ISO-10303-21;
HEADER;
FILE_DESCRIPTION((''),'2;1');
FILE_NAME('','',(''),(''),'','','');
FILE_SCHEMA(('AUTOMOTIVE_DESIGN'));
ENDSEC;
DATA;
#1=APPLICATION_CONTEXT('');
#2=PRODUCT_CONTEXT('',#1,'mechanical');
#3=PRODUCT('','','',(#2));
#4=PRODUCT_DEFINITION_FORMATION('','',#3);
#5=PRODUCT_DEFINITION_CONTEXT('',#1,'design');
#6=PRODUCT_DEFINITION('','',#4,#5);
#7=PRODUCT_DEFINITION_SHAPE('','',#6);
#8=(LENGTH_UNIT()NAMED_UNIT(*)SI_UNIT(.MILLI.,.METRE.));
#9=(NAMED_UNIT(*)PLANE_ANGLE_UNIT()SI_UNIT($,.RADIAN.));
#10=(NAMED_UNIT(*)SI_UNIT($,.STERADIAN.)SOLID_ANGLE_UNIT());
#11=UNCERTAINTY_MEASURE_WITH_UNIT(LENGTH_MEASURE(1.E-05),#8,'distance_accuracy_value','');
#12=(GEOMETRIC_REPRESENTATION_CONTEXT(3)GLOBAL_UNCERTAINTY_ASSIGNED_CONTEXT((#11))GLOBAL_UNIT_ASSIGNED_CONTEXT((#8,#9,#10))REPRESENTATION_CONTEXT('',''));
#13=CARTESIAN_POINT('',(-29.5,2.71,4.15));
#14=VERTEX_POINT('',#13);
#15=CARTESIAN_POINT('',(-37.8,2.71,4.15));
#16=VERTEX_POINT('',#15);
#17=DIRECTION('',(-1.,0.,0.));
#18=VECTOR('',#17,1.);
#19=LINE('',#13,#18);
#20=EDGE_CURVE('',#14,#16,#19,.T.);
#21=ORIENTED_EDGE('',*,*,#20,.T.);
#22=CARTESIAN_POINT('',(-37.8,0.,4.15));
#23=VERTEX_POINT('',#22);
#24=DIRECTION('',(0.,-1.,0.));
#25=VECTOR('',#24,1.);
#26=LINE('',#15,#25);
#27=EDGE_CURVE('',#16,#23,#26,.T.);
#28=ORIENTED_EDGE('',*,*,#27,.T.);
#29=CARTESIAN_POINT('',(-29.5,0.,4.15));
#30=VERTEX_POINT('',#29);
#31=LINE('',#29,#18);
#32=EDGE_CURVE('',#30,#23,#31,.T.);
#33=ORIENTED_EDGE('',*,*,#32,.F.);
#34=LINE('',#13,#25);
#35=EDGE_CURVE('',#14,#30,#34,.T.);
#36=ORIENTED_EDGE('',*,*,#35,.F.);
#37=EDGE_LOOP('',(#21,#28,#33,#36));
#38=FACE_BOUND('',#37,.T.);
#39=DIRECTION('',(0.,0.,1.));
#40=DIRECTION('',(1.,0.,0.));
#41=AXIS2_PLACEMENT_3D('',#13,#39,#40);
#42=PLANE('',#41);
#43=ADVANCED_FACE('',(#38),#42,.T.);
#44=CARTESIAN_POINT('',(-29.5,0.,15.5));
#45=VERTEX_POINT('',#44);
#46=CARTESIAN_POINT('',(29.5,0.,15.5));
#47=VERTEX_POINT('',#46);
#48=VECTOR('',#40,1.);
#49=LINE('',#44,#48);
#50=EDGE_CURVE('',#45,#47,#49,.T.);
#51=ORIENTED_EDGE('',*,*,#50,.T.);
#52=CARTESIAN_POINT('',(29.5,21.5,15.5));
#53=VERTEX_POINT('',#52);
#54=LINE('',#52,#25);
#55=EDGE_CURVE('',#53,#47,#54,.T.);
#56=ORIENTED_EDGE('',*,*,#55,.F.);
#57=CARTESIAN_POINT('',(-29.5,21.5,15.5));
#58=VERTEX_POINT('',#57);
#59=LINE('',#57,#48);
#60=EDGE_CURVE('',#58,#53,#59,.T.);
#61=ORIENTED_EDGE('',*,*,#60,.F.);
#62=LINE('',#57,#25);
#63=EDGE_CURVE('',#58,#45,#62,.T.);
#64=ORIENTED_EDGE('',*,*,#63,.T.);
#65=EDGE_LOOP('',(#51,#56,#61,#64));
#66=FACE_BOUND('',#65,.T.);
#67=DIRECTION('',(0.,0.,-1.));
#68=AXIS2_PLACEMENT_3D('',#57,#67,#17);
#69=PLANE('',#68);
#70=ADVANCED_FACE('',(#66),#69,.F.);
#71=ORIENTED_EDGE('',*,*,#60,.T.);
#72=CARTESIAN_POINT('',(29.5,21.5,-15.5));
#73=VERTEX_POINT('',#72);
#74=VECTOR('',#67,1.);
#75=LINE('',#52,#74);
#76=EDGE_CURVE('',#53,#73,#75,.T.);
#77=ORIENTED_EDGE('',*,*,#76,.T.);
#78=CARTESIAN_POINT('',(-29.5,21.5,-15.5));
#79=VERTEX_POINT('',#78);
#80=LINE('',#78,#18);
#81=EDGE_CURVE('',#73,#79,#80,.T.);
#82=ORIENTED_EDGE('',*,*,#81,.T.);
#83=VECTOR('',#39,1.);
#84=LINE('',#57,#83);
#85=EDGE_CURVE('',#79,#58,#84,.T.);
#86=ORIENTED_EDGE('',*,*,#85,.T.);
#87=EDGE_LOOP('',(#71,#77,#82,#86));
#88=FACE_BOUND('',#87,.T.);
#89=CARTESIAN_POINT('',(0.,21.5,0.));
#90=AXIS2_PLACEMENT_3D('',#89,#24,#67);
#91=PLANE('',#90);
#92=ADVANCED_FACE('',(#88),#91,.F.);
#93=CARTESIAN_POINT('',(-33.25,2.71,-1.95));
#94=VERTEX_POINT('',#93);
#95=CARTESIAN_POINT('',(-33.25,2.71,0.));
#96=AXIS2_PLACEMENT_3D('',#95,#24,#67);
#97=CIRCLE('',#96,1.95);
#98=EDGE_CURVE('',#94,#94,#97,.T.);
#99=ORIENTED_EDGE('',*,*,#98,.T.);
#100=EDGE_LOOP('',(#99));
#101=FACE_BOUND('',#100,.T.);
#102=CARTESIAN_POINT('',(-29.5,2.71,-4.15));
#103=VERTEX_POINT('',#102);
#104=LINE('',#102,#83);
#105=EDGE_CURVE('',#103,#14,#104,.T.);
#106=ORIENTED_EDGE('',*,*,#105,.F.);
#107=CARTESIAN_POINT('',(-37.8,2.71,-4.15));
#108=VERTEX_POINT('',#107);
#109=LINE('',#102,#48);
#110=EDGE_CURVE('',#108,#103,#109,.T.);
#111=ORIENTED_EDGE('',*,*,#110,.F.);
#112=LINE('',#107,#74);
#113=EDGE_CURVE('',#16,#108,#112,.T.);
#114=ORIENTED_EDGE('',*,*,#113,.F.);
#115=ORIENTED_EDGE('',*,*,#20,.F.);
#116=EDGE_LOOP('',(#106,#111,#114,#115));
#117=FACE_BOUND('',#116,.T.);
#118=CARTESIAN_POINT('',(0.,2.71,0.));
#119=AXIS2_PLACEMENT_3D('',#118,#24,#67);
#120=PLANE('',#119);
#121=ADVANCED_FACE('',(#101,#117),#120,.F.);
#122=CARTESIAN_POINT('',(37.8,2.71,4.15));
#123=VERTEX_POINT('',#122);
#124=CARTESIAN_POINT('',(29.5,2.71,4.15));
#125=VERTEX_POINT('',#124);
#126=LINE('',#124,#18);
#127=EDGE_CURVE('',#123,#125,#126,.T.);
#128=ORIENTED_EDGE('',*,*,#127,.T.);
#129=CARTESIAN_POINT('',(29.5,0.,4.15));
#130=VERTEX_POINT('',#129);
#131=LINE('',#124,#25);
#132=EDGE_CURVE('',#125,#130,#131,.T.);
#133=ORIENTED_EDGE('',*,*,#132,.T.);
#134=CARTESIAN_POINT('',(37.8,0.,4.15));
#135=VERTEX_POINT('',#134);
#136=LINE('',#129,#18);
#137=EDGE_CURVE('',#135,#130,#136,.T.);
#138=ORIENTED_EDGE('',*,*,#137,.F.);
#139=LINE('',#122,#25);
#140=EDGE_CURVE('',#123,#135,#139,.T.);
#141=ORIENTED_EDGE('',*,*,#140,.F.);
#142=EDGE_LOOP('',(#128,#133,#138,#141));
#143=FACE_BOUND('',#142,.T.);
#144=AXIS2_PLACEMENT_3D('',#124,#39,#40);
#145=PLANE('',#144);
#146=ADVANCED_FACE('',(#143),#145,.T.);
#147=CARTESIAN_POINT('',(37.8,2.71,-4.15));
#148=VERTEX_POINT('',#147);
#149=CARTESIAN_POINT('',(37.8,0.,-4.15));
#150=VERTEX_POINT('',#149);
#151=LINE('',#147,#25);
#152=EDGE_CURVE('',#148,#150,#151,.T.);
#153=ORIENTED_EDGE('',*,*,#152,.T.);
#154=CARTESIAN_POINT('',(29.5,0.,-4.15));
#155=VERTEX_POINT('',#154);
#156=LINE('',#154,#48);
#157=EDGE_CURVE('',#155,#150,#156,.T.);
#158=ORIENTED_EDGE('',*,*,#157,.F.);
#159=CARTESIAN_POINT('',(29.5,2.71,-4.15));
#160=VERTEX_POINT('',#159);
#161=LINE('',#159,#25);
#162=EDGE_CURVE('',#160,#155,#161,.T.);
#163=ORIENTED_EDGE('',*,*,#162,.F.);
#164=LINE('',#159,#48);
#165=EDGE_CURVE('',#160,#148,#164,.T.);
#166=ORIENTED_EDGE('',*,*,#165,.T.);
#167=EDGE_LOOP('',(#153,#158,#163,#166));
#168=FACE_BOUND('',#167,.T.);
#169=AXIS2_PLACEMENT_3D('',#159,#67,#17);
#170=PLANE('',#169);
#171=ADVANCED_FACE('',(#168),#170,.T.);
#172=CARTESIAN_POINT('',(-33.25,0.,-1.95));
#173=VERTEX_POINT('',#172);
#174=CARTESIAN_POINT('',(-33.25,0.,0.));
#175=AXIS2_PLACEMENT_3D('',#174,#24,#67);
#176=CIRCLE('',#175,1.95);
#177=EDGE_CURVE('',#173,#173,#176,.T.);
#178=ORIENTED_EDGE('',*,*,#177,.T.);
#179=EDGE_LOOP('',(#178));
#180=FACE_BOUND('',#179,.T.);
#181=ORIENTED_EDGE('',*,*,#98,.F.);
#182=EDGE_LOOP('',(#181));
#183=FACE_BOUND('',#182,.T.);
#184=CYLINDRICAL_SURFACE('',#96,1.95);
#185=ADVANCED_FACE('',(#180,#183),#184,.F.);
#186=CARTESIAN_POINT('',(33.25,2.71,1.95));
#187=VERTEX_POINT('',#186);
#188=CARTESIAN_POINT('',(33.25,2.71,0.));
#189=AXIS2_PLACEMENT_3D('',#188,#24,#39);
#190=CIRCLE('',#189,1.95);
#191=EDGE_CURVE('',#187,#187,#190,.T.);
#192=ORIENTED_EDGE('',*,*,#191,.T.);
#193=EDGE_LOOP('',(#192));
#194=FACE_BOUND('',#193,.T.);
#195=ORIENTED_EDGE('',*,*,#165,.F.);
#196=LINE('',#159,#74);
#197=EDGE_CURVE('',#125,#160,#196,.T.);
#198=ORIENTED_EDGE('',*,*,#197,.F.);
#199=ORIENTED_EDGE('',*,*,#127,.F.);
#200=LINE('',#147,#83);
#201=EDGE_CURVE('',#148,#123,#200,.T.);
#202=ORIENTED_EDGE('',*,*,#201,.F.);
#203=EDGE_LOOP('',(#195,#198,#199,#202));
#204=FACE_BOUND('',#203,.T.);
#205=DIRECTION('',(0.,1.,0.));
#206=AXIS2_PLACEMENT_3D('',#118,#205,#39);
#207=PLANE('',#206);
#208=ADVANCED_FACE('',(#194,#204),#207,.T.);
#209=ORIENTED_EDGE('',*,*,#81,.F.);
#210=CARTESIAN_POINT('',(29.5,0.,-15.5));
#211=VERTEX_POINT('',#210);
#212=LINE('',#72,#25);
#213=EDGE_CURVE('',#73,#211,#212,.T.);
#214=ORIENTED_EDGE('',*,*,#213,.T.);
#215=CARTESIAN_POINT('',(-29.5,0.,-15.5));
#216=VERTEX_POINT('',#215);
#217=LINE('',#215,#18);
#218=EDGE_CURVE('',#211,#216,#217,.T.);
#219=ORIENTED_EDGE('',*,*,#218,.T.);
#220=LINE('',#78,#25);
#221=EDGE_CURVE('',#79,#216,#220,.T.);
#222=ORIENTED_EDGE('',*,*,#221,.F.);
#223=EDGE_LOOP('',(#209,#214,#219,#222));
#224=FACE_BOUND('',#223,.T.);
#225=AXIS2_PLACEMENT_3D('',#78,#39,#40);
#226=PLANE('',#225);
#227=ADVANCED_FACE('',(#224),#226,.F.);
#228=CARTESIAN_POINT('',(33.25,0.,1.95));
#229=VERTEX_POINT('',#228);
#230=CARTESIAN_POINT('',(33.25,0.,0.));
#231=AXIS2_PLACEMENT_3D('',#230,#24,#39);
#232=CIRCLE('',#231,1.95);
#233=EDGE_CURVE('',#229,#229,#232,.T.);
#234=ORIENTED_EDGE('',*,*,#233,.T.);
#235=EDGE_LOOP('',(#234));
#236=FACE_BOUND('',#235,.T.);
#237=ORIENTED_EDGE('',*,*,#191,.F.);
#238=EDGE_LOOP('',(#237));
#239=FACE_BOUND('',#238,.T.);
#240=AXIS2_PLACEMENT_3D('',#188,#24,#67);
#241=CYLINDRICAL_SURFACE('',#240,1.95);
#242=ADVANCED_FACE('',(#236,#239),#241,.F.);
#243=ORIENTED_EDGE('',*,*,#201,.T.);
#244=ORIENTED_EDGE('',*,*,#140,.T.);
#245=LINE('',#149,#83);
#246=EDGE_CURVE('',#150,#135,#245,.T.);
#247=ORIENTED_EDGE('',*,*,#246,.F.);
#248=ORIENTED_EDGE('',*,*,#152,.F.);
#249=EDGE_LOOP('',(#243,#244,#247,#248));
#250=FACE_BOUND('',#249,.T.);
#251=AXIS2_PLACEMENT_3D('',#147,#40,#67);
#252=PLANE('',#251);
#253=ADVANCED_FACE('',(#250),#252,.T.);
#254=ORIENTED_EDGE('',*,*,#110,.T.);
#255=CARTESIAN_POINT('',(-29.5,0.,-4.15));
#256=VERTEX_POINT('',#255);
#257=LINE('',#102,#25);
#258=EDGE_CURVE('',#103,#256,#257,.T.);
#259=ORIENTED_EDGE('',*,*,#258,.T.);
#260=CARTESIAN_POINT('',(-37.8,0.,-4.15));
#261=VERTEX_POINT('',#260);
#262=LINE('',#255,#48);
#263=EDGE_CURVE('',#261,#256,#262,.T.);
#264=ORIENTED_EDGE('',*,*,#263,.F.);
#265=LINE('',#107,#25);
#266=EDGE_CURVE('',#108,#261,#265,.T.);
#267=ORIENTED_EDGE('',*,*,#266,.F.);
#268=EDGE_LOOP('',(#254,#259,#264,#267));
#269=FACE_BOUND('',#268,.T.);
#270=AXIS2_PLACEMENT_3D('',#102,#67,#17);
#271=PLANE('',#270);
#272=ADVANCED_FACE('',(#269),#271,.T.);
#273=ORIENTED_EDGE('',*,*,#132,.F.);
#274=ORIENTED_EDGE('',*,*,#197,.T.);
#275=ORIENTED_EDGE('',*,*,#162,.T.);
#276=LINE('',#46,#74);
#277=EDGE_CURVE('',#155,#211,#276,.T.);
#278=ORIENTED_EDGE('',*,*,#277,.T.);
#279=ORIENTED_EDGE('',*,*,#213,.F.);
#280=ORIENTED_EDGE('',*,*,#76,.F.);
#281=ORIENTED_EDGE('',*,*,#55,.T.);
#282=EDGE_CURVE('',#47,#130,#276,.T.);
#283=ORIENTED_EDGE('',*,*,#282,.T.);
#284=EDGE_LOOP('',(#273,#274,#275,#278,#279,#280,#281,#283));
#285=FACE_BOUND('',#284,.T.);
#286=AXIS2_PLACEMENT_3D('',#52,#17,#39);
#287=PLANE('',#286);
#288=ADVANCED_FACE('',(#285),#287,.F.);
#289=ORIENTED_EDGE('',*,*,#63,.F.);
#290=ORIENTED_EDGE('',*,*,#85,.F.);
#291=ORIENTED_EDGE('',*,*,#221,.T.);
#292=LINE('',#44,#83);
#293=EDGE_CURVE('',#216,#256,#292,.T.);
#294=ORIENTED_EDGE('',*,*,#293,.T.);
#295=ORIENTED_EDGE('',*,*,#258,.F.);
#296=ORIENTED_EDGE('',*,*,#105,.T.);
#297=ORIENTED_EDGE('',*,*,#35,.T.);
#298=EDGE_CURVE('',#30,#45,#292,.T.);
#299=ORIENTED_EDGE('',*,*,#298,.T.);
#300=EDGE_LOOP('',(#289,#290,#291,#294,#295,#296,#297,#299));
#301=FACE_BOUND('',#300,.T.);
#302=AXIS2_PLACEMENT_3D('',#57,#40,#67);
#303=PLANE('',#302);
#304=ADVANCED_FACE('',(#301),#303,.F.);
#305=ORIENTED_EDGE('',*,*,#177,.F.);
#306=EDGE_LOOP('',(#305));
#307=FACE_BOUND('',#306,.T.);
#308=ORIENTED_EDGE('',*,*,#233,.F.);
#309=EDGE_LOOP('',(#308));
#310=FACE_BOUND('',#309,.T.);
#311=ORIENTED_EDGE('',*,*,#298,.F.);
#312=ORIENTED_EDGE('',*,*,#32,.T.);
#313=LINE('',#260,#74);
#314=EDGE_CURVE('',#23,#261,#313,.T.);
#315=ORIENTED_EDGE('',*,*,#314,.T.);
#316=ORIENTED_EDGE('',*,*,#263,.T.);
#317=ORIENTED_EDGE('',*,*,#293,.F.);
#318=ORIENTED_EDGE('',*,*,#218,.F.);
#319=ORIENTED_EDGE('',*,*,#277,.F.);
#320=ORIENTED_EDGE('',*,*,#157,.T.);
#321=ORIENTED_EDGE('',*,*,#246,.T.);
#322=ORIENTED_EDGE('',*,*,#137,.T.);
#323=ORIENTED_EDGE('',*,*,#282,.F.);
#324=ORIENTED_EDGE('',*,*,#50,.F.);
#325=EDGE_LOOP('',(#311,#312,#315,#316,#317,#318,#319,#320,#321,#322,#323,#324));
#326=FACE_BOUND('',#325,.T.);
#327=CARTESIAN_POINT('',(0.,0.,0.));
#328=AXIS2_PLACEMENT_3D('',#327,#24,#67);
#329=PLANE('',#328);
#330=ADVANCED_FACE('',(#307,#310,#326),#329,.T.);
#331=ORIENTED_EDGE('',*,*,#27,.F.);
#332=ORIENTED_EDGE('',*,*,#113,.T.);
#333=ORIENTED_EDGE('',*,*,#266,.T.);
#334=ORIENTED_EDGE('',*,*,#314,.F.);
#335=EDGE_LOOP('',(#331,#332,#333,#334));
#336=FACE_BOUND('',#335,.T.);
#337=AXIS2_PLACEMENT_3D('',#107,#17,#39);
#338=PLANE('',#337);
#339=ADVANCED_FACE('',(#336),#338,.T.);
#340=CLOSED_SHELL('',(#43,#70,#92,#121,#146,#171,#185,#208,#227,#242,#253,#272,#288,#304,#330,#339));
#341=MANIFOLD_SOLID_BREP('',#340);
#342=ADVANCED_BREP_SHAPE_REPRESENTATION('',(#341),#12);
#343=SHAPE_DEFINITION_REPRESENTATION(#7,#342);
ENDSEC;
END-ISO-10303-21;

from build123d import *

# Parameters (mm, degrees)
SKETCH2_W           = 59
SKETCH2_H           = 31
BOSS_EXTRUDE1_DEPTH = 21.5
SKETCH3_W           = 8.3
SKETCH3_H           = 8.3
SKETCH3_R           = 1.95
BOSS_EXTRUDE2_DEPTH = 2.71


with BuildPart() as part:
    # Sketch2 → Boss-Extrude1 (new body)
    with BuildSketch(Plane(origin=(0, 0, 0), x_dir=(1, 0, 0), z_dir=(0, 1, 0))):
        Rectangle(SKETCH2_W, SKETCH2_H)
    extrude(amount=BOSS_EXTRUDE1_DEPTH)

    # Sketch3 → Boss-Extrude2 (add)
    # profile 1 of 2: a face of its own
    with BuildSketch(Plane.XZ):
        with Locations((-33.65, 0)):
            Rectangle(SKETCH3_W, SKETCH3_H)
        with Locations(Location((-33.25, 0, 0), (0, 0, 270))):
            Circle(SKETCH3_R, mode=Mode.SUBTRACT)
    # profile 2 of 2: a face of its own
    with BuildSketch(Plane.XZ):
        with Locations((33.65, 0)):
            Rectangle(SKETCH3_W, SKETCH3_H)
        with Locations(Location((33.25, 0, 0), (0, 0, 90))):
            Circle(SKETCH3_R, mode=Mode.SUBTRACT)
    extrude(amount=-BOSS_EXTRUDE2_DEPTH)


solid = part.part
